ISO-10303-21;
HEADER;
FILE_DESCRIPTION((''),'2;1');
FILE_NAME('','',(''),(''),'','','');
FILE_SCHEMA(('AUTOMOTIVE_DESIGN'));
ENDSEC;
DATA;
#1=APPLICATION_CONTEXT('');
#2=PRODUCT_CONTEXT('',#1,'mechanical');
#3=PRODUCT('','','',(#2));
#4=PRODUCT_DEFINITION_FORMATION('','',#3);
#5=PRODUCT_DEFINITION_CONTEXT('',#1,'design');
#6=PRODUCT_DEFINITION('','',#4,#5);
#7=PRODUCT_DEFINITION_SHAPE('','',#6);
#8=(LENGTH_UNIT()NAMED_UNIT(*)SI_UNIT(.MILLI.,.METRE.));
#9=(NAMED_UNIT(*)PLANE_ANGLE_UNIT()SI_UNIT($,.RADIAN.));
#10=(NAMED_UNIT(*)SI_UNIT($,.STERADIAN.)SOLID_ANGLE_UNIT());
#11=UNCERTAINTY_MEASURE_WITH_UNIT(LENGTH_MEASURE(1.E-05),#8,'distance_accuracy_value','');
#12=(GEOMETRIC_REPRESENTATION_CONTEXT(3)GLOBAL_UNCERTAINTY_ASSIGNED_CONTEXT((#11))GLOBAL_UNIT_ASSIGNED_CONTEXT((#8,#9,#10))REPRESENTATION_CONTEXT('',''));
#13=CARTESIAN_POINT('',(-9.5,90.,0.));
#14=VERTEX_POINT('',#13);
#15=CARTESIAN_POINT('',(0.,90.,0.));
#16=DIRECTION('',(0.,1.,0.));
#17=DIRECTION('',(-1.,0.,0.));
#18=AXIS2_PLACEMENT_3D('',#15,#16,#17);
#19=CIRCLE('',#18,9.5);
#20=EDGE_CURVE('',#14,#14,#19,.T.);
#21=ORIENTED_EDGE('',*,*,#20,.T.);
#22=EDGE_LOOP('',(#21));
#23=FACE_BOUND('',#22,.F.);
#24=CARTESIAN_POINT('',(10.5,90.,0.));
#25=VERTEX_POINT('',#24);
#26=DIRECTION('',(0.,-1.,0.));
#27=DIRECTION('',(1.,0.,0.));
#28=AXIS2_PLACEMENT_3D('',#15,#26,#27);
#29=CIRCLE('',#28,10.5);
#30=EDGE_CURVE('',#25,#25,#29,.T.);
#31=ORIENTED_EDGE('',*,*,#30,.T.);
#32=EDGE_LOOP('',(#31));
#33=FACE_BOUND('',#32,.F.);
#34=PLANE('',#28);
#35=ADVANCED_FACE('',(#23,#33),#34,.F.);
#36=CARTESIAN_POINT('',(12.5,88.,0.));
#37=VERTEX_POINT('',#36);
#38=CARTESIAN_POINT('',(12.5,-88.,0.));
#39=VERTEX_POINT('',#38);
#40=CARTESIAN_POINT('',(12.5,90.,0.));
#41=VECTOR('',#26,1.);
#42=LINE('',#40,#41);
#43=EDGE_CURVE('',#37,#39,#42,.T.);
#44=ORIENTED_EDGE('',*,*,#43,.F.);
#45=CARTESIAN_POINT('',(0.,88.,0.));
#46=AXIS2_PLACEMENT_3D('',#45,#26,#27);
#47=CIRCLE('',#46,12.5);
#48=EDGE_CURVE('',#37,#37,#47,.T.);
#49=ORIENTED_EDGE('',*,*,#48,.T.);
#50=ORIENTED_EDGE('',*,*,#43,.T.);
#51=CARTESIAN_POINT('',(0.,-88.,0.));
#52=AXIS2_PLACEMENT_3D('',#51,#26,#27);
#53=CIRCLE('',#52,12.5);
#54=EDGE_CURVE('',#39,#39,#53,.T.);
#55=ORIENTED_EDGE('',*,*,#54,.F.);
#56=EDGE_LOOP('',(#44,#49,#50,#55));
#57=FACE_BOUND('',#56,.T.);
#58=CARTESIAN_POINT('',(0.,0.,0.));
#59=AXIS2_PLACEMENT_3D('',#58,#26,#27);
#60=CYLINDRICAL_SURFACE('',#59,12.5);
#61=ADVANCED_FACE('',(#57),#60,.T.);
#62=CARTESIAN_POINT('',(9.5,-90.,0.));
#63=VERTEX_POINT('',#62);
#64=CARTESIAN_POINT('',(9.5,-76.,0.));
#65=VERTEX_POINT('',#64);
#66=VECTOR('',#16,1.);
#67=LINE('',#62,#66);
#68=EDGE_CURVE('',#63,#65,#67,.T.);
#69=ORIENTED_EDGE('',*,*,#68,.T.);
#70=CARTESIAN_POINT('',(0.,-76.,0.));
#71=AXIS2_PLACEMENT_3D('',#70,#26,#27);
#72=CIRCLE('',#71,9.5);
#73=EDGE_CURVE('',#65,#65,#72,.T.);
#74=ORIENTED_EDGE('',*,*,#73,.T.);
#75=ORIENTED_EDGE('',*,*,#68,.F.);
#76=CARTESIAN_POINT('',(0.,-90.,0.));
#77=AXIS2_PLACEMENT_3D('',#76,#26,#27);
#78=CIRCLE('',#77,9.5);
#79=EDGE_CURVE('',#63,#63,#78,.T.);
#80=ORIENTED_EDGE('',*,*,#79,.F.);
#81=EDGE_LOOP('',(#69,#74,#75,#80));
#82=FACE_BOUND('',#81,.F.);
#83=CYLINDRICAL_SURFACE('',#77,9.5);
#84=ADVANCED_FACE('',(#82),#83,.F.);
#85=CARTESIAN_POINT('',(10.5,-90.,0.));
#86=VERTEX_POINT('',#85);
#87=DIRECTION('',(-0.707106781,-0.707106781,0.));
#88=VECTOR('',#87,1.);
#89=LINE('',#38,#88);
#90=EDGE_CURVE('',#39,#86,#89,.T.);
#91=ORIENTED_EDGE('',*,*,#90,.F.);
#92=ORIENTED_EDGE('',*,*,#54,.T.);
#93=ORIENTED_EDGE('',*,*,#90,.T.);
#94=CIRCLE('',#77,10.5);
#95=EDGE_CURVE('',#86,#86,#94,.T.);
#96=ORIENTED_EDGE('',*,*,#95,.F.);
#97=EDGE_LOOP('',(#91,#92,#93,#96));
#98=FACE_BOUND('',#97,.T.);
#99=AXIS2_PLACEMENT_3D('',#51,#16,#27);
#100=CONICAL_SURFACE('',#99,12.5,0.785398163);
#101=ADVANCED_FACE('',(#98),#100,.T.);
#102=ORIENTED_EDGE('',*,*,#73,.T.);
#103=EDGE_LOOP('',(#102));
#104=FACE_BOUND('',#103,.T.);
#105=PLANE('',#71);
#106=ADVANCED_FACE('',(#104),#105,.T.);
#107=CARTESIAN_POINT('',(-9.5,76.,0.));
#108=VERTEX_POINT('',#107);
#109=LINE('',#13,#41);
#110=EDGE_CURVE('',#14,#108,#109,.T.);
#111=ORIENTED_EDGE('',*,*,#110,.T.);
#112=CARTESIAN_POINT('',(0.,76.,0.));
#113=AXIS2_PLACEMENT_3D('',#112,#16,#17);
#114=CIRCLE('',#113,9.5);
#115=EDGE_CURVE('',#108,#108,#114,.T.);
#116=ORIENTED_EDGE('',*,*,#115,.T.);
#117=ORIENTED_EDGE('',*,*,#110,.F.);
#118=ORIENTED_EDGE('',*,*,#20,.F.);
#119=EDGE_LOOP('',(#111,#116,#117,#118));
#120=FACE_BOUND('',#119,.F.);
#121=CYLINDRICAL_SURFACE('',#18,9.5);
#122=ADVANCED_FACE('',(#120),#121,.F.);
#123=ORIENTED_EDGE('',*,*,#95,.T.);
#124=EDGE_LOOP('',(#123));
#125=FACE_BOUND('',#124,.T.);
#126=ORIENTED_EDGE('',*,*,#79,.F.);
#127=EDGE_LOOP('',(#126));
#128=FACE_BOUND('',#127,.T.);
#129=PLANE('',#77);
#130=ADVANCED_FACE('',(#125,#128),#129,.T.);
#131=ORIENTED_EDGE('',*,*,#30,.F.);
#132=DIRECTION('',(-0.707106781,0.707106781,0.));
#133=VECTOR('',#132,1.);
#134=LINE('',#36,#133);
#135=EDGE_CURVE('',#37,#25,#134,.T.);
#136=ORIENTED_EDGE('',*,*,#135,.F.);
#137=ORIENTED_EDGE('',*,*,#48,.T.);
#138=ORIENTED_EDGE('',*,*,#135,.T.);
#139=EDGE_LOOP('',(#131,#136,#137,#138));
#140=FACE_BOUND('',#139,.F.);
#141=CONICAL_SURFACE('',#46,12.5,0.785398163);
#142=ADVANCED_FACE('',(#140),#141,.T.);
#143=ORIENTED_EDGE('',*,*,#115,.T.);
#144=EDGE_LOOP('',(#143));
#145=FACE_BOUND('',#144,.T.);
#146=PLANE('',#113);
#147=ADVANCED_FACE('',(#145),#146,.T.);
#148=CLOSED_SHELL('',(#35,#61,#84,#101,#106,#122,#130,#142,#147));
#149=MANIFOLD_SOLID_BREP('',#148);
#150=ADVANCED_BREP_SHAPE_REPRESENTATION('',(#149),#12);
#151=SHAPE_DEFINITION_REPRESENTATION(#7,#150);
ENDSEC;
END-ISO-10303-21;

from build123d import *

# Parameters (mm, degrees)
F0_R          = 12.5
F1_DEPTH      = 90
F1_DEPTH_BACK = 90
F2_R          = 9.5
F3_DEPTH      = 14
F4_SIZE       = 2
F5_R          = 9.5
F6_DEPTH      = 14
F7_SIZE       = 2


with BuildPart() as f1:
    # F0 (on Front) → F1 (new body, two sides)
    with BuildSketch(Plane.XZ) as f1_sk:
        Circle(F0_R)
    extrude(amount=F1_DEPTH)
    extrude(f1_sk.sketch, amount=-F1_DEPTH_BACK)

    # F2 (on face) → F3 (cut)
    with BuildSketch(Plane.XZ.offset(90)):
        Circle(F2_R)
    extrude(amount=-F3_DEPTH, mode=Mode.SUBTRACT)

    # F4
    f4_edges = [f1.edges().sort_by_distance(p)[0] for p in [
        (-12.5, -90, 0),
    ]]
    chamfer(f4_edges, length=F4_SIZE)

    # F5 (on face) → F6 (cut)
    with BuildSketch(Plane(origin=(0, 90, 0), x_dir=(-1, 0, 0), z_dir=(0, 1, 0))):
        Circle(F5_R)
    extrude(amount=-F6_DEPTH, mode=Mode.SUBTRACT)

    # F7
    f7_edges = [f1.edges().sort_by_distance(p)[0] for p in [
        (-12.5, 90, 0),
    ]]
    chamfer(f7_edges, length=F7_SIZE)


solid = f1.part
